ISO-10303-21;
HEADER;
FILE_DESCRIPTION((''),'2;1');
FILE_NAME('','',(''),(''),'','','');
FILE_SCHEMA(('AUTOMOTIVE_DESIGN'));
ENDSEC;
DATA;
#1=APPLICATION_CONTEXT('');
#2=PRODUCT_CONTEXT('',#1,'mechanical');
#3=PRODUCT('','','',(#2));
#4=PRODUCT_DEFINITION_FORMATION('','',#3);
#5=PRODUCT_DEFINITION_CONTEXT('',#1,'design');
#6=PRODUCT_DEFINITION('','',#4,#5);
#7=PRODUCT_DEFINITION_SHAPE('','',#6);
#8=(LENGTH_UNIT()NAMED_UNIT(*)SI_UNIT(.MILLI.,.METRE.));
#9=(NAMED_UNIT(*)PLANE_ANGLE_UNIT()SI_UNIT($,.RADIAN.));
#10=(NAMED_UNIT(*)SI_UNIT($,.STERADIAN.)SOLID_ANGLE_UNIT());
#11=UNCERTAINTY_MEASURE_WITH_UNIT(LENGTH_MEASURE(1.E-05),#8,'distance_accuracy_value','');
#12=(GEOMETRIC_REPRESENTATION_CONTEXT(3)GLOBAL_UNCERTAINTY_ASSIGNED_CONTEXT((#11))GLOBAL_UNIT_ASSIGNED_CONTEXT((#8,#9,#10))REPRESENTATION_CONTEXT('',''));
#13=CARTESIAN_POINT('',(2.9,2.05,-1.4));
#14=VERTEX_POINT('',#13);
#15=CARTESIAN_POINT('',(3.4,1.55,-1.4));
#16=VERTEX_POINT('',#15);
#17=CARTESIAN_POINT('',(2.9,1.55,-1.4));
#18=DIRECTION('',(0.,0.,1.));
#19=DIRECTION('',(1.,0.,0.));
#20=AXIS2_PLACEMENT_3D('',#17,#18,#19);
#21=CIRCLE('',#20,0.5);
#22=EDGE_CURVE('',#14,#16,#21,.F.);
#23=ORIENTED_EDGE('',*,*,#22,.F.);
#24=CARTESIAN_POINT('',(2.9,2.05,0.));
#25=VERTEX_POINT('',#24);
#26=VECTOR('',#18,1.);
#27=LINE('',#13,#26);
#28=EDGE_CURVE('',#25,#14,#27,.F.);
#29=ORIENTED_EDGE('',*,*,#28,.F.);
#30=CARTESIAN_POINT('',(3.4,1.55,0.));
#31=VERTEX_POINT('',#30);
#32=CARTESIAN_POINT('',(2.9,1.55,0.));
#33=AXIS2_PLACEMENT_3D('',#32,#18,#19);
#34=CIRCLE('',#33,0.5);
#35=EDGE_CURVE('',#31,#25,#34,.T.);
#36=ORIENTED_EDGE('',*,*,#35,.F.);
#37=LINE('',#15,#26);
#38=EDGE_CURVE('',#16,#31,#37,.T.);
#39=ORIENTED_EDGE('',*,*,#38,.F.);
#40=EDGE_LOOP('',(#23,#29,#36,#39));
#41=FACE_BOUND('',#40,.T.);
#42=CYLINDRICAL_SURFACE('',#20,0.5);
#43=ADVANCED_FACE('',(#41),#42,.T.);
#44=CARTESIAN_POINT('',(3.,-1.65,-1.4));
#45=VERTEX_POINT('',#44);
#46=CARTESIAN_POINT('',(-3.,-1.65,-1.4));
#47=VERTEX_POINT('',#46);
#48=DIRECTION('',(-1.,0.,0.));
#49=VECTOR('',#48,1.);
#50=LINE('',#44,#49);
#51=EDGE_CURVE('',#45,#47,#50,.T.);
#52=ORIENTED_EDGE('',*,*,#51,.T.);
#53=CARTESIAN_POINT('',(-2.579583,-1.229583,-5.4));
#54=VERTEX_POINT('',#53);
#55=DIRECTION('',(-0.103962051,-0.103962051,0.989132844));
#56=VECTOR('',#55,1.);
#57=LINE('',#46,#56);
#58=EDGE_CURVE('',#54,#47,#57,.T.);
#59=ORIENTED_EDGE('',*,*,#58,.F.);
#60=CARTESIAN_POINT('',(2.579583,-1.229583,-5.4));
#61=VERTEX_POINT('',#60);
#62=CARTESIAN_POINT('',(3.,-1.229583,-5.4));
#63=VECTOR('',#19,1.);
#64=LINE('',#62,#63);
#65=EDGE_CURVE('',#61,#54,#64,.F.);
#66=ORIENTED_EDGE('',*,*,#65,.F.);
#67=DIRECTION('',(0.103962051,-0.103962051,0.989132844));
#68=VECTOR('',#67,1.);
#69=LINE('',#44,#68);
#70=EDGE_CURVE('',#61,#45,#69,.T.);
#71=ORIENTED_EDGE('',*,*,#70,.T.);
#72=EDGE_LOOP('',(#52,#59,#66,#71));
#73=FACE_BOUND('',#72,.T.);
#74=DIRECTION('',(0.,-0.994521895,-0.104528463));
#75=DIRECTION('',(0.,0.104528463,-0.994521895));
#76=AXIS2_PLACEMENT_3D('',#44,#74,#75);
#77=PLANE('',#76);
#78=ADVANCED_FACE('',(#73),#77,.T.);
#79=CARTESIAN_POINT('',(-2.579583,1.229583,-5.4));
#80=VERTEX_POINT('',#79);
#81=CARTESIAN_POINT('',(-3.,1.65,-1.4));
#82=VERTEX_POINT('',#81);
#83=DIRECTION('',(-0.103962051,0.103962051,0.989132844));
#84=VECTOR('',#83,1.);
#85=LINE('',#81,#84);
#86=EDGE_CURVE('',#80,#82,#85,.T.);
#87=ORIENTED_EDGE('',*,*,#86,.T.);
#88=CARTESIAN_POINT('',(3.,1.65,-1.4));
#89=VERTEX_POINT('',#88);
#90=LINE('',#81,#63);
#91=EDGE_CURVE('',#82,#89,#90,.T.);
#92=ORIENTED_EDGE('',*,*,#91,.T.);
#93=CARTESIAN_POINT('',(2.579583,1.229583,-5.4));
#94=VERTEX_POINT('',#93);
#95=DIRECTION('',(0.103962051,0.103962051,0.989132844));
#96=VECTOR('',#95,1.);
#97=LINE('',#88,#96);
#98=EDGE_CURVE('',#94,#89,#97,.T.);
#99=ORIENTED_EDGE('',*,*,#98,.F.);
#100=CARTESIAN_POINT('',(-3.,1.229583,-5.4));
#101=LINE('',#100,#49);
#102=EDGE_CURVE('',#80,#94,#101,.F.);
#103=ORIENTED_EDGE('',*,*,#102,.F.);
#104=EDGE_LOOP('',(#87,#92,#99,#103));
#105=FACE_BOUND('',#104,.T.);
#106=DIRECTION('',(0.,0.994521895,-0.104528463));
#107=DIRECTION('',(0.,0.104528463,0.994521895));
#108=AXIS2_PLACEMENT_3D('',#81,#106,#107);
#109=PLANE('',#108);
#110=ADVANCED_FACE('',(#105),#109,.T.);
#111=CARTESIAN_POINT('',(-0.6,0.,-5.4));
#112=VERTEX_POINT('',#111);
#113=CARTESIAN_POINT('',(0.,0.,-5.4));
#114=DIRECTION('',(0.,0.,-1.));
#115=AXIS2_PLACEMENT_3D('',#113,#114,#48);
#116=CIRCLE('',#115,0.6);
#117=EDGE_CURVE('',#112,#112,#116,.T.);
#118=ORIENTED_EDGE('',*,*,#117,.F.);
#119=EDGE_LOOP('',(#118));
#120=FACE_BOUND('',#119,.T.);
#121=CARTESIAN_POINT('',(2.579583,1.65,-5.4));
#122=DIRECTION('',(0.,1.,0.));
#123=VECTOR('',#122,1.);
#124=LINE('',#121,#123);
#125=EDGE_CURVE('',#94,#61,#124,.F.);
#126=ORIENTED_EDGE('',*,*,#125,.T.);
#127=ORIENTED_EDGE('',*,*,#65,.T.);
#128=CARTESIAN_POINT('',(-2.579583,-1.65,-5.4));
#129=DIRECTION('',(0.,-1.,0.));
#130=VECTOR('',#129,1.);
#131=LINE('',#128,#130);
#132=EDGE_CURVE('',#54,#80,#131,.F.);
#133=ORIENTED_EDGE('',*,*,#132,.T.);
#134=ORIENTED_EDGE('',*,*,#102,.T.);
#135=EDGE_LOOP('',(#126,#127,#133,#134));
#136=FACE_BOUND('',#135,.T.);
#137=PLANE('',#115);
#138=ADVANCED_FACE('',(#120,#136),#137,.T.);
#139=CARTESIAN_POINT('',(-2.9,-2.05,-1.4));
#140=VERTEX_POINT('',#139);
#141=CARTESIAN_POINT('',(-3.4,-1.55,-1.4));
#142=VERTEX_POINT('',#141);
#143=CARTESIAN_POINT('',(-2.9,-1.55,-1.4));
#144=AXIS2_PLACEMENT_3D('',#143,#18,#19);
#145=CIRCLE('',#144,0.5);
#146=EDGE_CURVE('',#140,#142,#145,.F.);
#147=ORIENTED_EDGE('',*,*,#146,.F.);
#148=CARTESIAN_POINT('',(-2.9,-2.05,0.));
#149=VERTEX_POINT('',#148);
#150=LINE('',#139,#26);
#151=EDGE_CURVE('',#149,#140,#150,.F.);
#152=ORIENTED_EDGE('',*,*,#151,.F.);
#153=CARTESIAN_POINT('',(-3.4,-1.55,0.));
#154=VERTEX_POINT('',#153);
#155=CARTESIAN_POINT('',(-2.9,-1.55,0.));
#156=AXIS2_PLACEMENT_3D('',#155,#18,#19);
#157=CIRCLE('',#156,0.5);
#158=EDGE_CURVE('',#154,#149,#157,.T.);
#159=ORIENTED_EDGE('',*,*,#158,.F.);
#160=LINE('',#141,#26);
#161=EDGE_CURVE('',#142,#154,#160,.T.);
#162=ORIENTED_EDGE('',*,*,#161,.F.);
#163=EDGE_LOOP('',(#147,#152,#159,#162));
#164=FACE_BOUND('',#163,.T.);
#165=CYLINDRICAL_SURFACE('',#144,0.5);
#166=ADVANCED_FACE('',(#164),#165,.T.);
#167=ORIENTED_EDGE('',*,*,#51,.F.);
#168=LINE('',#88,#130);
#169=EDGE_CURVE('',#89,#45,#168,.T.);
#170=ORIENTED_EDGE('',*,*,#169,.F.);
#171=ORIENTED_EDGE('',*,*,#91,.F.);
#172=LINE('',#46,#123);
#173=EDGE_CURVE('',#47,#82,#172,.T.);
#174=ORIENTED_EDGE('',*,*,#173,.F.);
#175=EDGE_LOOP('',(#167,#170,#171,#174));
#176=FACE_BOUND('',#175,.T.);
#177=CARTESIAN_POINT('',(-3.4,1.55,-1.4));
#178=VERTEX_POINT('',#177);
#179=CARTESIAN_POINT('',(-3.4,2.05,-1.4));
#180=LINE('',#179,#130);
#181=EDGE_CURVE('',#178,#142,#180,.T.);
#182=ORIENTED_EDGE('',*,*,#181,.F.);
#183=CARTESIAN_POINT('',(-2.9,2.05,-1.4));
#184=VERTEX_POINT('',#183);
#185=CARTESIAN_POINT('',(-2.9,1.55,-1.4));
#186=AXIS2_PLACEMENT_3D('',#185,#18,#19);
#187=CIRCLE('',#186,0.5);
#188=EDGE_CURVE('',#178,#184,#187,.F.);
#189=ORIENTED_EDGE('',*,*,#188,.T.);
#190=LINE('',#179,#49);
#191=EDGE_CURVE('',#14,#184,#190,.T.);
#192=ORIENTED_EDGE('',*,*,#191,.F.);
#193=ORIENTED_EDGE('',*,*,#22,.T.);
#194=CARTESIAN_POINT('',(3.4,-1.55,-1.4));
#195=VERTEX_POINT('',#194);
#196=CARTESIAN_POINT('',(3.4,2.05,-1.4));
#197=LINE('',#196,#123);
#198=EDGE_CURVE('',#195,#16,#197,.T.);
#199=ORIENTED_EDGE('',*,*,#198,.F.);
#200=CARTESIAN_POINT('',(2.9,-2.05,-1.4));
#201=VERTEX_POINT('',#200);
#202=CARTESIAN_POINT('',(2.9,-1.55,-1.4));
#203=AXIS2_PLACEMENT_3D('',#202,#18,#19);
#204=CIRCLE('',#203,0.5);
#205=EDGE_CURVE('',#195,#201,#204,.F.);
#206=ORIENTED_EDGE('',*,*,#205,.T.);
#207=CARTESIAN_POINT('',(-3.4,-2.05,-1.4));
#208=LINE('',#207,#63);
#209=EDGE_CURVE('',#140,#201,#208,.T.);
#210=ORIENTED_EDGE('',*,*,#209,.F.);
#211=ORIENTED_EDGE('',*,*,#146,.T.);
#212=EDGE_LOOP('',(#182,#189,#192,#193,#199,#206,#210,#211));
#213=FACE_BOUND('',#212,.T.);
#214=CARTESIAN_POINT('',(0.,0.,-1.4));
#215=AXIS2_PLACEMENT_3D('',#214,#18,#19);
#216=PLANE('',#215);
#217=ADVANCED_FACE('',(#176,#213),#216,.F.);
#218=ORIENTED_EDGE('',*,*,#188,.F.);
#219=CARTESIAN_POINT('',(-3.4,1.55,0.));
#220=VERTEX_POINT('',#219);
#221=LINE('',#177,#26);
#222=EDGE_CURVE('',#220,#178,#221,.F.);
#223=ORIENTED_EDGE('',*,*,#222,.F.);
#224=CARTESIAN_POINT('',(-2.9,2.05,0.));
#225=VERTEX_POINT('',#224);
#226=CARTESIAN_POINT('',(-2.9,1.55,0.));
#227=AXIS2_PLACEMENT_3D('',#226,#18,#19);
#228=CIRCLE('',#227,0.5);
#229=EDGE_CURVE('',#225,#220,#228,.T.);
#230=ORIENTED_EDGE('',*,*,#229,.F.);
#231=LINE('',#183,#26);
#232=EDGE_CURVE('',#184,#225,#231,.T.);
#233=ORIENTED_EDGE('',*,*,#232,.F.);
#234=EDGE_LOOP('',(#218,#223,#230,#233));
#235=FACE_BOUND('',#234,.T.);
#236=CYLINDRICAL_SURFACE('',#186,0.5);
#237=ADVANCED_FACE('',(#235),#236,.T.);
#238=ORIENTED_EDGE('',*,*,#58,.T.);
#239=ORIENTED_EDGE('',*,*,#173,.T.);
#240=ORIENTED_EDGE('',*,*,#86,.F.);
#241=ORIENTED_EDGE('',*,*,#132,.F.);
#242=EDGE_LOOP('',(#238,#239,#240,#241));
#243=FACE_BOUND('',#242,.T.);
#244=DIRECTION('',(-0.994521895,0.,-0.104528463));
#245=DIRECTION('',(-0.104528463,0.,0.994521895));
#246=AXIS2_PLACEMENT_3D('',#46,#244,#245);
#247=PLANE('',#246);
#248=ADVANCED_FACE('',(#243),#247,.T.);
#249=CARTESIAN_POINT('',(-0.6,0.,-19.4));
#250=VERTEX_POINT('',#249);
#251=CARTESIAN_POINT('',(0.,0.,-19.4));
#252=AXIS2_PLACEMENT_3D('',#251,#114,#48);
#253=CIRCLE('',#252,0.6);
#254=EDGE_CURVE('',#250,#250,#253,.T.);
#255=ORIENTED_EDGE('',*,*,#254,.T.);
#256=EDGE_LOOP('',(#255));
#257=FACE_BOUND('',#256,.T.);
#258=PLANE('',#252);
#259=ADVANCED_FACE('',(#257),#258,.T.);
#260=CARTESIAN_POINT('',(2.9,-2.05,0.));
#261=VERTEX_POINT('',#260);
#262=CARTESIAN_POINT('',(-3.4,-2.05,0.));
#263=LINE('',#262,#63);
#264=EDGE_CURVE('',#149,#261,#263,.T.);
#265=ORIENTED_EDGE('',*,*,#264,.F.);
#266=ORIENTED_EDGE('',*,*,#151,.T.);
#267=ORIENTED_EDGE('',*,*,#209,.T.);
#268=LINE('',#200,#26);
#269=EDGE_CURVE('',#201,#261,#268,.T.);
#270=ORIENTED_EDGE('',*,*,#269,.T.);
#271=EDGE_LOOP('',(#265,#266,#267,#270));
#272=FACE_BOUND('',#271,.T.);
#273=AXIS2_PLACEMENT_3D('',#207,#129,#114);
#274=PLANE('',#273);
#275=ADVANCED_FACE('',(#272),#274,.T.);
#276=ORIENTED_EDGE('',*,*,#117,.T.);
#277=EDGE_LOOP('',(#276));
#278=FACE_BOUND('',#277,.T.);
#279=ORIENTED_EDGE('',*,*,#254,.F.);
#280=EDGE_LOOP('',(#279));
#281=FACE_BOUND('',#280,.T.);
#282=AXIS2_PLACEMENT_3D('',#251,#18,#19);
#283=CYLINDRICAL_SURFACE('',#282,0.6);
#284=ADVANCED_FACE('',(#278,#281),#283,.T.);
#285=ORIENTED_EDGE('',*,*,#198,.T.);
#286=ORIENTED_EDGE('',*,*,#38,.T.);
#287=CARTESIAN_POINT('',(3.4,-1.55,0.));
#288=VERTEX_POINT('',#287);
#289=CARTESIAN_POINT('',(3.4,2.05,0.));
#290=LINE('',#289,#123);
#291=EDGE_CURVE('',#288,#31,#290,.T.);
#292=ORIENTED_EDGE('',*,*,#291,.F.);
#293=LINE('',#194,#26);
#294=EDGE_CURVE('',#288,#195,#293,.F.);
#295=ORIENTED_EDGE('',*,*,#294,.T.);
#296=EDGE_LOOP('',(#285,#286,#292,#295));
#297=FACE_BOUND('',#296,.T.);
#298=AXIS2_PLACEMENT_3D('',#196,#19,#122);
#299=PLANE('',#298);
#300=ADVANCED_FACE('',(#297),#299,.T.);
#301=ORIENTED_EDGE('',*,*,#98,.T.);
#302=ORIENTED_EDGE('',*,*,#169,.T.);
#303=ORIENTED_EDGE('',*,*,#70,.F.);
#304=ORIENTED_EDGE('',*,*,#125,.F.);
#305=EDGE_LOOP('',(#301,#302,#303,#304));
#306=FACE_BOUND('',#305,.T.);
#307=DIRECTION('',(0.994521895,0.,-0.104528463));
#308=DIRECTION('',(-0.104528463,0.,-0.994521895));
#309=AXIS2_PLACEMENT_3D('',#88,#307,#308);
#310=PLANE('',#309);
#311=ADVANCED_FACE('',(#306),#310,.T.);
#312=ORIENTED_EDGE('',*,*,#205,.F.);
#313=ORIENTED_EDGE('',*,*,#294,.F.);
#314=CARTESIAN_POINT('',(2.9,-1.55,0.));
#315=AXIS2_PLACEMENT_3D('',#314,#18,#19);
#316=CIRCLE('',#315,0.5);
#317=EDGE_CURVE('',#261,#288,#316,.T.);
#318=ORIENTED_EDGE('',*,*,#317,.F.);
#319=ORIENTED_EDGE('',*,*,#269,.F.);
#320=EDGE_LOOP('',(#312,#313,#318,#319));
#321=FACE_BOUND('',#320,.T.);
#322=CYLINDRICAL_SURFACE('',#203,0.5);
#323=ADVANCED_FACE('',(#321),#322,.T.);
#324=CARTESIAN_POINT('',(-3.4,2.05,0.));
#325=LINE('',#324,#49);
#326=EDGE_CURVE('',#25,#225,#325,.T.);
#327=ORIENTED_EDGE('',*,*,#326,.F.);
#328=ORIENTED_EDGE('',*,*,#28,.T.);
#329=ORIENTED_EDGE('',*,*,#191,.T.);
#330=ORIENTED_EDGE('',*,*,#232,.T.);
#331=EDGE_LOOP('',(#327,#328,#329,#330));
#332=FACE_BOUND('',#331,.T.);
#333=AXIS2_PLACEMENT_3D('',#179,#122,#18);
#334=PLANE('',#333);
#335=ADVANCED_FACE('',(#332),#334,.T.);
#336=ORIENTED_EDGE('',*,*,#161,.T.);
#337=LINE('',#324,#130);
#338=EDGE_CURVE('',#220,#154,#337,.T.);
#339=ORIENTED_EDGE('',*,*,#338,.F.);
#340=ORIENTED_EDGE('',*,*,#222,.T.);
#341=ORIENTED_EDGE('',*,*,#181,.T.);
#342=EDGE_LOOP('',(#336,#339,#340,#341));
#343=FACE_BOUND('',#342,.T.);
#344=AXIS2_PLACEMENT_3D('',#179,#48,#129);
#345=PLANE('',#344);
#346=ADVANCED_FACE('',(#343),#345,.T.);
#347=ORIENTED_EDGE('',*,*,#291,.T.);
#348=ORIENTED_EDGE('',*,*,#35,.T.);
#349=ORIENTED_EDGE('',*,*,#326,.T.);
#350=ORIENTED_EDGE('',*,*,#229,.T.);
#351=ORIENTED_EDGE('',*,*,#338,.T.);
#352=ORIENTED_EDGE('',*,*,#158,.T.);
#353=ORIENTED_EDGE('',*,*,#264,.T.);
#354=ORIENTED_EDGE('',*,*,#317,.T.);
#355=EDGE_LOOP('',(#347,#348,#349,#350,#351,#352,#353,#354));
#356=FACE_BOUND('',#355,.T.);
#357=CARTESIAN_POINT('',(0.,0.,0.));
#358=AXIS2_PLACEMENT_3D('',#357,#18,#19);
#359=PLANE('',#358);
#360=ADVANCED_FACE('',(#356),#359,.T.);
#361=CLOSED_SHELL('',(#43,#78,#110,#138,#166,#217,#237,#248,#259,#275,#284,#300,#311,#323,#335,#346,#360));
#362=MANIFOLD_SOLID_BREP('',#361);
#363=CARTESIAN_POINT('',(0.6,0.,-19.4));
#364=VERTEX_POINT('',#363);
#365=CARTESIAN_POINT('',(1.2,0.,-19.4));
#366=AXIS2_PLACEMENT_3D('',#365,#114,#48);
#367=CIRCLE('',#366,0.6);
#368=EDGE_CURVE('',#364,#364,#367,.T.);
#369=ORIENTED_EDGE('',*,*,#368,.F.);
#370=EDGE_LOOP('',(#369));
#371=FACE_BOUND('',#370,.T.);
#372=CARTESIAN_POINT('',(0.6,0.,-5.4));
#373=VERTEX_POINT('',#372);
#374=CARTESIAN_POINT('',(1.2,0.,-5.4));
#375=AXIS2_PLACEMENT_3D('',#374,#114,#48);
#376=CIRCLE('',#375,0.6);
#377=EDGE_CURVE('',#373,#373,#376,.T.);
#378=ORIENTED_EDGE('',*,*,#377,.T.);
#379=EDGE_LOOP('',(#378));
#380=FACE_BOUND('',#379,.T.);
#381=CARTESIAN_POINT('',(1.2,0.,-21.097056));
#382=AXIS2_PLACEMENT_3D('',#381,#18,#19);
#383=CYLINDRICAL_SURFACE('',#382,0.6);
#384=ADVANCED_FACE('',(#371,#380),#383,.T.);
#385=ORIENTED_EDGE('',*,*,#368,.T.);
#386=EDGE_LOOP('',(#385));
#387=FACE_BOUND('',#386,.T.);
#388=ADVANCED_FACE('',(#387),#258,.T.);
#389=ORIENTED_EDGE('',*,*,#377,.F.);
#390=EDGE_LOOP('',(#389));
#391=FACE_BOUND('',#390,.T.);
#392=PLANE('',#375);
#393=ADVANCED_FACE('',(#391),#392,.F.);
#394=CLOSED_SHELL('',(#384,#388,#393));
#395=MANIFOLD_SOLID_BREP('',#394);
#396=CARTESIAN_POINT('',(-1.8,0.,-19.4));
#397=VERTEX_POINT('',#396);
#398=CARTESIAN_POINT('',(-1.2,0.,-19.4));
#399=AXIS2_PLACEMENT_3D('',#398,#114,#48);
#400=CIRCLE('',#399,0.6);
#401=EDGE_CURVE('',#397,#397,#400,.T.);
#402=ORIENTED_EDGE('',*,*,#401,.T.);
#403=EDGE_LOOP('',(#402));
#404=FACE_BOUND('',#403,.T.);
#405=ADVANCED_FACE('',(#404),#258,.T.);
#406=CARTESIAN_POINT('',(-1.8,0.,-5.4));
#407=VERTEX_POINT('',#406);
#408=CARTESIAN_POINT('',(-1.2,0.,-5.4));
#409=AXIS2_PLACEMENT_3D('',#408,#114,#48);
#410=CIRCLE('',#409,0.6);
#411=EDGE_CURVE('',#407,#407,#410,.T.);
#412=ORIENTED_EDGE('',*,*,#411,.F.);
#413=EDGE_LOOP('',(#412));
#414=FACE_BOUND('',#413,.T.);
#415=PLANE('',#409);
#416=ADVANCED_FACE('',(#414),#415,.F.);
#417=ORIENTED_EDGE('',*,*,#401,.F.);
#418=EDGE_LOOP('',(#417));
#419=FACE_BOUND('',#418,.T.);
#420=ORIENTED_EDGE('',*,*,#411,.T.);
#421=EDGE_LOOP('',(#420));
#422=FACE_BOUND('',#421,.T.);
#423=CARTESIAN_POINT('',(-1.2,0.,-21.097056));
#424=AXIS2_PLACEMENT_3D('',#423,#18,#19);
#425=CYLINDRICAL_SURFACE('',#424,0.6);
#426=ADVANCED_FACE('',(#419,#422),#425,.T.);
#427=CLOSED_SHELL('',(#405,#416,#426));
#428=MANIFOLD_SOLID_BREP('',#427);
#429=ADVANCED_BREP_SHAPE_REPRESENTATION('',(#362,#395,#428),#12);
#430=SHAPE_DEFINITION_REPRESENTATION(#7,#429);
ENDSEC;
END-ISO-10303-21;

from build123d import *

# Parameters (mm, degrees)
BASES_W             = 6.8
BASES_H             = 4.1
BASE_DEPTH          = 1.4
EXTENDEDBODYS_W     = 6
EXTENDEDBODYS_H     = 3.3
EXTENDED_BODY_DEPTH = 4
EXTENDED_BODY_TAPER = 6
POSITIVES_R         = 0.6
POSITIVE_DEPTH      = 14
SIGNALS_R           = 0.6
SIGNAL_DEPTH        = 14
NEGATIVES_R         = 0.6
NEGATIVE_DEPTH      = 14
BASE_F_R            = 0.5


with BuildPart() as part:
    # BaseS → BASE (new body)
    with BuildSketch(Plane.XY):
        Rectangle(BASES_W, BASES_H)
    extrude(amount=-BASE_DEPTH)

    # ExtendedBodyS → EXTENDED BODY (add)
    with BuildSketch(Plane(origin=(0, 0, -1.4), x_dir=(-1, 0, 0), z_dir=(0, 0, -1))):
        Rectangle(EXTENDEDBODYS_W, EXTENDEDBODYS_H)
    extrude(amount=EXTENDED_BODY_DEPTH, taper=EXTENDED_BODY_TAPER)

    # PositiveS → POSITIVE (add)
    with BuildSketch(Plane(origin=(0, 0, -5.4), x_dir=(-1, 0, 0), z_dir=(0, 0, -1))):
        Circle(POSITIVES_R)
    extrude(amount=POSITIVE_DEPTH)

    # BASE F
    base_f_edges = [part.edges().sort_by_distance(p)[0] for p in [
        (3.4, -2.05, -0.7),
        (-3.4, -2.05, -0.7),
        (-3.4, 2.05, -0.7),
        (3.4, 2.05, -0.7),
    ]]
    fillet(base_f_edges, radius=BASE_F_R)


with BuildPart() as body_2:
    # SignalS → SIGNAL (new body)
    with BuildSketch(Plane(origin=(0, 0, -5.4), x_dir=(-1, 0, 0), z_dir=(0, 0, -1))):
        with Locations((1.2, 0)):
            Circle(SIGNALS_R)
    extrude(amount=SIGNAL_DEPTH)


with BuildPart() as body_3:
    # NegativeS → NEGATIVE (new body)
    with BuildSketch(Plane(origin=(0, 0, -5.4), x_dir=(-1, 0, 0), z_dir=(0, 0, -1))):
        with Locations((-1.2, 0)):
            Circle(NEGATIVES_R)
    extrude(amount=NEGATIVE_DEPTH)


solid = Compound([part.part, body_2.part, body_3.part])
